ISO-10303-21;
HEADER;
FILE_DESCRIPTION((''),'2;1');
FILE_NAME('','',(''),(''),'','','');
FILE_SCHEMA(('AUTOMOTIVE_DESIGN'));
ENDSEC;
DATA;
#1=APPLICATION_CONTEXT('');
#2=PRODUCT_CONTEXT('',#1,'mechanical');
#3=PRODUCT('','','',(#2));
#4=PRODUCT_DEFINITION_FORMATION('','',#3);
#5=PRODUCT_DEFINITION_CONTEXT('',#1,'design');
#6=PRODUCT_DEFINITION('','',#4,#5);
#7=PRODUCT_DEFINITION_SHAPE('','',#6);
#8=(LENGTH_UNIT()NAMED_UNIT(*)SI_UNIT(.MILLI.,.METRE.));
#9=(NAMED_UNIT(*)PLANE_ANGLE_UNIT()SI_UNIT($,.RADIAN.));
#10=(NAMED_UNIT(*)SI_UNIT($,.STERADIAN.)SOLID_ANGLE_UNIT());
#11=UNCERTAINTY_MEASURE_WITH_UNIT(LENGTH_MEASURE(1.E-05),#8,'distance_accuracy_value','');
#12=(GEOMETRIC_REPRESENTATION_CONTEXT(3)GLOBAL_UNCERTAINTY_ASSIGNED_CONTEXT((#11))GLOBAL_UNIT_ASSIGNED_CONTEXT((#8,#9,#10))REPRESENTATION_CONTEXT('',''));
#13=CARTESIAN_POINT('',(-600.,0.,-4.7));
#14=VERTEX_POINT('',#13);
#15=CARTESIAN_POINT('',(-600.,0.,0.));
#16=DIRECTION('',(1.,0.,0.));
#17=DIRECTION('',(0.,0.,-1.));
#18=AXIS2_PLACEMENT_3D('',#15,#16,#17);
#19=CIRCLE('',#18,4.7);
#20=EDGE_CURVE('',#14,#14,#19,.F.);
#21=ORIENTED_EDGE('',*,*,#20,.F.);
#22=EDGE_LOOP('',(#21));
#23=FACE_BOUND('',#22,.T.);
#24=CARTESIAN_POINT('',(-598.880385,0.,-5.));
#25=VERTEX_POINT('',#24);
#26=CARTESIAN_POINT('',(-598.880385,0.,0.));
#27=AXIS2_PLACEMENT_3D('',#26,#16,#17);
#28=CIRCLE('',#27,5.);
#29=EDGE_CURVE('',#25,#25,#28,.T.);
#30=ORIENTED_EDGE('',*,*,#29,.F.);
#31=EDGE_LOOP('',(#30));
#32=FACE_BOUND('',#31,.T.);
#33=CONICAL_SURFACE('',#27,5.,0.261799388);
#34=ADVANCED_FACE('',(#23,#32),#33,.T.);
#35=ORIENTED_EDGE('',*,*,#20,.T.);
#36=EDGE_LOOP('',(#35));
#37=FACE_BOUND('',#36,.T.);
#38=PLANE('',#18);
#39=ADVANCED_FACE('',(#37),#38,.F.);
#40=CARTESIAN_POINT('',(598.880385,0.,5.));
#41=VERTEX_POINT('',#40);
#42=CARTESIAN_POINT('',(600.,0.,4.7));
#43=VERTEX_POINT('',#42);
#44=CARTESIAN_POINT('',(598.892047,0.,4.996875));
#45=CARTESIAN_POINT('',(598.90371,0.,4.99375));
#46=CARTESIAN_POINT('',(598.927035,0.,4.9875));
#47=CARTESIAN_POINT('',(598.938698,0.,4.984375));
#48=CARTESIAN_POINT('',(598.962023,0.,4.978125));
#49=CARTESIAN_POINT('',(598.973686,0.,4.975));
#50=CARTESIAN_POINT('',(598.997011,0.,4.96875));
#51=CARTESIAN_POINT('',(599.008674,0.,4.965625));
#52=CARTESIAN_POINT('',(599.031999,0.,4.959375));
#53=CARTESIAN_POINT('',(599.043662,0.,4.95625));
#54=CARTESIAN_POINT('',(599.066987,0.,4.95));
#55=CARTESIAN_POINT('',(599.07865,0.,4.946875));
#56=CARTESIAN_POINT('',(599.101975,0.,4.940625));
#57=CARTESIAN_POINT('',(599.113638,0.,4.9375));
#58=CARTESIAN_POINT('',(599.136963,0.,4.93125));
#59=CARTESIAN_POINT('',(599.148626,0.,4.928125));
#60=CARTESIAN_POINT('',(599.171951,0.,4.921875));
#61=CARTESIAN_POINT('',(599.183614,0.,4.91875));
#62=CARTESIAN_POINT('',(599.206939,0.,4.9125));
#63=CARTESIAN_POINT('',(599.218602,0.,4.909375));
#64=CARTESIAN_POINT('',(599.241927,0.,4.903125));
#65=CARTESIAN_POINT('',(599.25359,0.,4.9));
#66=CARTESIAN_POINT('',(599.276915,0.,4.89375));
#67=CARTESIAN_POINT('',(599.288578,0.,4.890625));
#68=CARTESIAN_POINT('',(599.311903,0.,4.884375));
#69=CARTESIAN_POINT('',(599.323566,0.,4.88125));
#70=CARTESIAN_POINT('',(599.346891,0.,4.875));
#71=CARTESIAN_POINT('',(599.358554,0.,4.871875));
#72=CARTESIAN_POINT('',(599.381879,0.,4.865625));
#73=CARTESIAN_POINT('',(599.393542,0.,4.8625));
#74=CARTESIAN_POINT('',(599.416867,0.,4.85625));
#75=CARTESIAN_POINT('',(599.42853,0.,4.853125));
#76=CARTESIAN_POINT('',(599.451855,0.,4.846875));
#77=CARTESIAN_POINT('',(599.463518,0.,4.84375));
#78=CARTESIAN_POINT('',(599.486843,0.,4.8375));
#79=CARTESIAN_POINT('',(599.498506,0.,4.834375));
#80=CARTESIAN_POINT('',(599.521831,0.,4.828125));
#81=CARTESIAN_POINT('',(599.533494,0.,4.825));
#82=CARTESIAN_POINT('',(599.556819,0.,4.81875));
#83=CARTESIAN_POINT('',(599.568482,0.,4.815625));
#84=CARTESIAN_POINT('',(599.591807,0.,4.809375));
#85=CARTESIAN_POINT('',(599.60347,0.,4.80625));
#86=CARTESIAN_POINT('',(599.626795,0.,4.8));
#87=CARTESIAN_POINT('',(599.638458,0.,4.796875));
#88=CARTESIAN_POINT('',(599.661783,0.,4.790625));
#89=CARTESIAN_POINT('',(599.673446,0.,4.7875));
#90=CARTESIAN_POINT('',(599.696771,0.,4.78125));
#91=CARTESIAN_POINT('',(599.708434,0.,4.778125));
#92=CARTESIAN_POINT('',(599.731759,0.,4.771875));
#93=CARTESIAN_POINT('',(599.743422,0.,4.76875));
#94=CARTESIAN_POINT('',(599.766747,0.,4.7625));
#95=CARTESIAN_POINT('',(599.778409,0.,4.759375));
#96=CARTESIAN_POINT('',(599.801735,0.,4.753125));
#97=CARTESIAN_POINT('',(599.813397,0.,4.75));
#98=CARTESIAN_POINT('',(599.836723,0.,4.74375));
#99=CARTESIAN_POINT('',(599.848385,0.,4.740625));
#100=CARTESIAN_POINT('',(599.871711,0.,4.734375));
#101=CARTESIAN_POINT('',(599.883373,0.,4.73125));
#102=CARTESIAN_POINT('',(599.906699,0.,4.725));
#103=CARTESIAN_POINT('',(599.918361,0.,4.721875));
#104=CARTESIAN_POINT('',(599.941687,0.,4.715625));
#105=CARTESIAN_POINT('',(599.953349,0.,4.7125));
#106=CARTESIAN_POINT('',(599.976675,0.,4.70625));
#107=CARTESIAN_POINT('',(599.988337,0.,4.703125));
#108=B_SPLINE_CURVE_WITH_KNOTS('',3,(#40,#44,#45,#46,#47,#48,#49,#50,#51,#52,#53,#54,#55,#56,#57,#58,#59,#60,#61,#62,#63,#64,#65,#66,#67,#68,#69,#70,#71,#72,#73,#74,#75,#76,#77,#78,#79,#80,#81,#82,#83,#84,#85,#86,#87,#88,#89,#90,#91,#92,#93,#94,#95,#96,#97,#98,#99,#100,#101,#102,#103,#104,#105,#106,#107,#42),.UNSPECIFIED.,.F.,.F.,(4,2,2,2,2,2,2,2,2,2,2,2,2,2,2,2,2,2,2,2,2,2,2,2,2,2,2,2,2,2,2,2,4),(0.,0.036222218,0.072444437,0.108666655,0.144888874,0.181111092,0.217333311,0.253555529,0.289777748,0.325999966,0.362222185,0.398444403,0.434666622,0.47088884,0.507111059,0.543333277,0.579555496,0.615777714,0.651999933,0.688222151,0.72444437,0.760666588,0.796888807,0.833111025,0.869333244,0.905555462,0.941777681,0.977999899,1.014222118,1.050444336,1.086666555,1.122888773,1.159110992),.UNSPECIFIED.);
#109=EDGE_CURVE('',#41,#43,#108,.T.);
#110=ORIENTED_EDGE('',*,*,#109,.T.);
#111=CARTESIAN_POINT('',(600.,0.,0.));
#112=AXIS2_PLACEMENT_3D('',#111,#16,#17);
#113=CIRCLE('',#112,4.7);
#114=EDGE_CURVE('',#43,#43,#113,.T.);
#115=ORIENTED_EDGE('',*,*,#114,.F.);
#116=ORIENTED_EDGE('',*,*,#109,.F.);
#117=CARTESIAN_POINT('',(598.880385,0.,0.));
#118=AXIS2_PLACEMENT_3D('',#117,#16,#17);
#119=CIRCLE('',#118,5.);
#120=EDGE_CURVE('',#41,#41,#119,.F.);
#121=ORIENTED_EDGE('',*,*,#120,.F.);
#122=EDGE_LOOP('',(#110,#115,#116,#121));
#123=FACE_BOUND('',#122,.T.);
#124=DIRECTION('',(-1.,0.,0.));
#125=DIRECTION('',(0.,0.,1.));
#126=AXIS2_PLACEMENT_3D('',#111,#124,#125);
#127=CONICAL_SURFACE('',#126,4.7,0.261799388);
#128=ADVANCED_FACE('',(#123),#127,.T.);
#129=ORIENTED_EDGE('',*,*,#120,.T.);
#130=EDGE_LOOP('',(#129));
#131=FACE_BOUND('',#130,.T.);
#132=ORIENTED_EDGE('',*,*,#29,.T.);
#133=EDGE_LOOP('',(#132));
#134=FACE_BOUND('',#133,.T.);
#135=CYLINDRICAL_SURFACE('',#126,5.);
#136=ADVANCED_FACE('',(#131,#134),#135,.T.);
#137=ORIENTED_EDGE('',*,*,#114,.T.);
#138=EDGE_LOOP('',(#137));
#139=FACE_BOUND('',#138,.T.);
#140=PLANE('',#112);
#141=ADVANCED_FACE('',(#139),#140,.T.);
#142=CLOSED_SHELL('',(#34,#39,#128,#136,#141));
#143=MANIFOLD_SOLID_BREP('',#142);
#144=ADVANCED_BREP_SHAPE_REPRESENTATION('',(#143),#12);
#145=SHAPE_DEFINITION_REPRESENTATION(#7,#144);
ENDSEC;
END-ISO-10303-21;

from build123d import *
from OCP.BRepFilletAPI import BRepFilletAPI_MakeChamfer

# Parameters (mm, degrees)
BOSS_EXTRUDE1_DEPTH      = 600
BOSS_EXTRUDE1_DEPTH_BACK = 600
SKETCH4_R                = 5
CHAMFER1_SIZE            = 0.3
CHAMFER1_SIZE2           = 1.119615242


with BuildPart() as part:
    # Sketch4 → Boss-Extrude1 (new, two sides: drawn at the far end of the back side and taken through both)
    with BuildSketch(Plane(origin=(0, 0, 0), x_dir=(0, 0, -1), z_dir=(1, 0, 0)).offset(-BOSS_EXTRUDE1_DEPTH_BACK)):
        Circle(SKETCH4_R)
    extrude(amount=BOSS_EXTRUDE1_DEPTH + BOSS_EXTRUDE1_DEPTH_BACK)

    # Chamfer1: one chamfer whose edges measure the first distance from different faces: ONE call of the kernel's chamfer builder (chamfer() names one face for all edges)
    chamfer1_edges_1 = [part.edges().sort_by_distance(p)[0] for p in [
        (-600, 0, 5),
    ]]
    chamfer1_side_1 = [part.faces().sort_by_distance(p)[0] for p in [
        (-600, 0, 0),
    ]]
    chamfer1_edges_2 = [part.edges().sort_by_distance(p)[0] for p in [
        (600, 0, 5),
    ]]
    chamfer1_side_2 = [part.faces().sort_by_distance(p)[0] for p in [
        (600, 0, 0),
    ]]
    chamfer1 = BRepFilletAPI_MakeChamfer(part.part.solid().wrapped)
    for e in chamfer1_edges_1:
        chamfer1.Add(CHAMFER1_SIZE, CHAMFER1_SIZE2, e.wrapped, chamfer1_side_1[0].wrapped)  # the first distance lies on this face
    for e in chamfer1_edges_2:
        chamfer1.Add(CHAMFER1_SIZE, CHAMFER1_SIZE2, e.wrapped, chamfer1_side_2[0].wrapped)  # the first distance lies on this face
    add(Compound.cast(chamfer1.Shape()), mode=Mode.REPLACE)


solid = part.part
